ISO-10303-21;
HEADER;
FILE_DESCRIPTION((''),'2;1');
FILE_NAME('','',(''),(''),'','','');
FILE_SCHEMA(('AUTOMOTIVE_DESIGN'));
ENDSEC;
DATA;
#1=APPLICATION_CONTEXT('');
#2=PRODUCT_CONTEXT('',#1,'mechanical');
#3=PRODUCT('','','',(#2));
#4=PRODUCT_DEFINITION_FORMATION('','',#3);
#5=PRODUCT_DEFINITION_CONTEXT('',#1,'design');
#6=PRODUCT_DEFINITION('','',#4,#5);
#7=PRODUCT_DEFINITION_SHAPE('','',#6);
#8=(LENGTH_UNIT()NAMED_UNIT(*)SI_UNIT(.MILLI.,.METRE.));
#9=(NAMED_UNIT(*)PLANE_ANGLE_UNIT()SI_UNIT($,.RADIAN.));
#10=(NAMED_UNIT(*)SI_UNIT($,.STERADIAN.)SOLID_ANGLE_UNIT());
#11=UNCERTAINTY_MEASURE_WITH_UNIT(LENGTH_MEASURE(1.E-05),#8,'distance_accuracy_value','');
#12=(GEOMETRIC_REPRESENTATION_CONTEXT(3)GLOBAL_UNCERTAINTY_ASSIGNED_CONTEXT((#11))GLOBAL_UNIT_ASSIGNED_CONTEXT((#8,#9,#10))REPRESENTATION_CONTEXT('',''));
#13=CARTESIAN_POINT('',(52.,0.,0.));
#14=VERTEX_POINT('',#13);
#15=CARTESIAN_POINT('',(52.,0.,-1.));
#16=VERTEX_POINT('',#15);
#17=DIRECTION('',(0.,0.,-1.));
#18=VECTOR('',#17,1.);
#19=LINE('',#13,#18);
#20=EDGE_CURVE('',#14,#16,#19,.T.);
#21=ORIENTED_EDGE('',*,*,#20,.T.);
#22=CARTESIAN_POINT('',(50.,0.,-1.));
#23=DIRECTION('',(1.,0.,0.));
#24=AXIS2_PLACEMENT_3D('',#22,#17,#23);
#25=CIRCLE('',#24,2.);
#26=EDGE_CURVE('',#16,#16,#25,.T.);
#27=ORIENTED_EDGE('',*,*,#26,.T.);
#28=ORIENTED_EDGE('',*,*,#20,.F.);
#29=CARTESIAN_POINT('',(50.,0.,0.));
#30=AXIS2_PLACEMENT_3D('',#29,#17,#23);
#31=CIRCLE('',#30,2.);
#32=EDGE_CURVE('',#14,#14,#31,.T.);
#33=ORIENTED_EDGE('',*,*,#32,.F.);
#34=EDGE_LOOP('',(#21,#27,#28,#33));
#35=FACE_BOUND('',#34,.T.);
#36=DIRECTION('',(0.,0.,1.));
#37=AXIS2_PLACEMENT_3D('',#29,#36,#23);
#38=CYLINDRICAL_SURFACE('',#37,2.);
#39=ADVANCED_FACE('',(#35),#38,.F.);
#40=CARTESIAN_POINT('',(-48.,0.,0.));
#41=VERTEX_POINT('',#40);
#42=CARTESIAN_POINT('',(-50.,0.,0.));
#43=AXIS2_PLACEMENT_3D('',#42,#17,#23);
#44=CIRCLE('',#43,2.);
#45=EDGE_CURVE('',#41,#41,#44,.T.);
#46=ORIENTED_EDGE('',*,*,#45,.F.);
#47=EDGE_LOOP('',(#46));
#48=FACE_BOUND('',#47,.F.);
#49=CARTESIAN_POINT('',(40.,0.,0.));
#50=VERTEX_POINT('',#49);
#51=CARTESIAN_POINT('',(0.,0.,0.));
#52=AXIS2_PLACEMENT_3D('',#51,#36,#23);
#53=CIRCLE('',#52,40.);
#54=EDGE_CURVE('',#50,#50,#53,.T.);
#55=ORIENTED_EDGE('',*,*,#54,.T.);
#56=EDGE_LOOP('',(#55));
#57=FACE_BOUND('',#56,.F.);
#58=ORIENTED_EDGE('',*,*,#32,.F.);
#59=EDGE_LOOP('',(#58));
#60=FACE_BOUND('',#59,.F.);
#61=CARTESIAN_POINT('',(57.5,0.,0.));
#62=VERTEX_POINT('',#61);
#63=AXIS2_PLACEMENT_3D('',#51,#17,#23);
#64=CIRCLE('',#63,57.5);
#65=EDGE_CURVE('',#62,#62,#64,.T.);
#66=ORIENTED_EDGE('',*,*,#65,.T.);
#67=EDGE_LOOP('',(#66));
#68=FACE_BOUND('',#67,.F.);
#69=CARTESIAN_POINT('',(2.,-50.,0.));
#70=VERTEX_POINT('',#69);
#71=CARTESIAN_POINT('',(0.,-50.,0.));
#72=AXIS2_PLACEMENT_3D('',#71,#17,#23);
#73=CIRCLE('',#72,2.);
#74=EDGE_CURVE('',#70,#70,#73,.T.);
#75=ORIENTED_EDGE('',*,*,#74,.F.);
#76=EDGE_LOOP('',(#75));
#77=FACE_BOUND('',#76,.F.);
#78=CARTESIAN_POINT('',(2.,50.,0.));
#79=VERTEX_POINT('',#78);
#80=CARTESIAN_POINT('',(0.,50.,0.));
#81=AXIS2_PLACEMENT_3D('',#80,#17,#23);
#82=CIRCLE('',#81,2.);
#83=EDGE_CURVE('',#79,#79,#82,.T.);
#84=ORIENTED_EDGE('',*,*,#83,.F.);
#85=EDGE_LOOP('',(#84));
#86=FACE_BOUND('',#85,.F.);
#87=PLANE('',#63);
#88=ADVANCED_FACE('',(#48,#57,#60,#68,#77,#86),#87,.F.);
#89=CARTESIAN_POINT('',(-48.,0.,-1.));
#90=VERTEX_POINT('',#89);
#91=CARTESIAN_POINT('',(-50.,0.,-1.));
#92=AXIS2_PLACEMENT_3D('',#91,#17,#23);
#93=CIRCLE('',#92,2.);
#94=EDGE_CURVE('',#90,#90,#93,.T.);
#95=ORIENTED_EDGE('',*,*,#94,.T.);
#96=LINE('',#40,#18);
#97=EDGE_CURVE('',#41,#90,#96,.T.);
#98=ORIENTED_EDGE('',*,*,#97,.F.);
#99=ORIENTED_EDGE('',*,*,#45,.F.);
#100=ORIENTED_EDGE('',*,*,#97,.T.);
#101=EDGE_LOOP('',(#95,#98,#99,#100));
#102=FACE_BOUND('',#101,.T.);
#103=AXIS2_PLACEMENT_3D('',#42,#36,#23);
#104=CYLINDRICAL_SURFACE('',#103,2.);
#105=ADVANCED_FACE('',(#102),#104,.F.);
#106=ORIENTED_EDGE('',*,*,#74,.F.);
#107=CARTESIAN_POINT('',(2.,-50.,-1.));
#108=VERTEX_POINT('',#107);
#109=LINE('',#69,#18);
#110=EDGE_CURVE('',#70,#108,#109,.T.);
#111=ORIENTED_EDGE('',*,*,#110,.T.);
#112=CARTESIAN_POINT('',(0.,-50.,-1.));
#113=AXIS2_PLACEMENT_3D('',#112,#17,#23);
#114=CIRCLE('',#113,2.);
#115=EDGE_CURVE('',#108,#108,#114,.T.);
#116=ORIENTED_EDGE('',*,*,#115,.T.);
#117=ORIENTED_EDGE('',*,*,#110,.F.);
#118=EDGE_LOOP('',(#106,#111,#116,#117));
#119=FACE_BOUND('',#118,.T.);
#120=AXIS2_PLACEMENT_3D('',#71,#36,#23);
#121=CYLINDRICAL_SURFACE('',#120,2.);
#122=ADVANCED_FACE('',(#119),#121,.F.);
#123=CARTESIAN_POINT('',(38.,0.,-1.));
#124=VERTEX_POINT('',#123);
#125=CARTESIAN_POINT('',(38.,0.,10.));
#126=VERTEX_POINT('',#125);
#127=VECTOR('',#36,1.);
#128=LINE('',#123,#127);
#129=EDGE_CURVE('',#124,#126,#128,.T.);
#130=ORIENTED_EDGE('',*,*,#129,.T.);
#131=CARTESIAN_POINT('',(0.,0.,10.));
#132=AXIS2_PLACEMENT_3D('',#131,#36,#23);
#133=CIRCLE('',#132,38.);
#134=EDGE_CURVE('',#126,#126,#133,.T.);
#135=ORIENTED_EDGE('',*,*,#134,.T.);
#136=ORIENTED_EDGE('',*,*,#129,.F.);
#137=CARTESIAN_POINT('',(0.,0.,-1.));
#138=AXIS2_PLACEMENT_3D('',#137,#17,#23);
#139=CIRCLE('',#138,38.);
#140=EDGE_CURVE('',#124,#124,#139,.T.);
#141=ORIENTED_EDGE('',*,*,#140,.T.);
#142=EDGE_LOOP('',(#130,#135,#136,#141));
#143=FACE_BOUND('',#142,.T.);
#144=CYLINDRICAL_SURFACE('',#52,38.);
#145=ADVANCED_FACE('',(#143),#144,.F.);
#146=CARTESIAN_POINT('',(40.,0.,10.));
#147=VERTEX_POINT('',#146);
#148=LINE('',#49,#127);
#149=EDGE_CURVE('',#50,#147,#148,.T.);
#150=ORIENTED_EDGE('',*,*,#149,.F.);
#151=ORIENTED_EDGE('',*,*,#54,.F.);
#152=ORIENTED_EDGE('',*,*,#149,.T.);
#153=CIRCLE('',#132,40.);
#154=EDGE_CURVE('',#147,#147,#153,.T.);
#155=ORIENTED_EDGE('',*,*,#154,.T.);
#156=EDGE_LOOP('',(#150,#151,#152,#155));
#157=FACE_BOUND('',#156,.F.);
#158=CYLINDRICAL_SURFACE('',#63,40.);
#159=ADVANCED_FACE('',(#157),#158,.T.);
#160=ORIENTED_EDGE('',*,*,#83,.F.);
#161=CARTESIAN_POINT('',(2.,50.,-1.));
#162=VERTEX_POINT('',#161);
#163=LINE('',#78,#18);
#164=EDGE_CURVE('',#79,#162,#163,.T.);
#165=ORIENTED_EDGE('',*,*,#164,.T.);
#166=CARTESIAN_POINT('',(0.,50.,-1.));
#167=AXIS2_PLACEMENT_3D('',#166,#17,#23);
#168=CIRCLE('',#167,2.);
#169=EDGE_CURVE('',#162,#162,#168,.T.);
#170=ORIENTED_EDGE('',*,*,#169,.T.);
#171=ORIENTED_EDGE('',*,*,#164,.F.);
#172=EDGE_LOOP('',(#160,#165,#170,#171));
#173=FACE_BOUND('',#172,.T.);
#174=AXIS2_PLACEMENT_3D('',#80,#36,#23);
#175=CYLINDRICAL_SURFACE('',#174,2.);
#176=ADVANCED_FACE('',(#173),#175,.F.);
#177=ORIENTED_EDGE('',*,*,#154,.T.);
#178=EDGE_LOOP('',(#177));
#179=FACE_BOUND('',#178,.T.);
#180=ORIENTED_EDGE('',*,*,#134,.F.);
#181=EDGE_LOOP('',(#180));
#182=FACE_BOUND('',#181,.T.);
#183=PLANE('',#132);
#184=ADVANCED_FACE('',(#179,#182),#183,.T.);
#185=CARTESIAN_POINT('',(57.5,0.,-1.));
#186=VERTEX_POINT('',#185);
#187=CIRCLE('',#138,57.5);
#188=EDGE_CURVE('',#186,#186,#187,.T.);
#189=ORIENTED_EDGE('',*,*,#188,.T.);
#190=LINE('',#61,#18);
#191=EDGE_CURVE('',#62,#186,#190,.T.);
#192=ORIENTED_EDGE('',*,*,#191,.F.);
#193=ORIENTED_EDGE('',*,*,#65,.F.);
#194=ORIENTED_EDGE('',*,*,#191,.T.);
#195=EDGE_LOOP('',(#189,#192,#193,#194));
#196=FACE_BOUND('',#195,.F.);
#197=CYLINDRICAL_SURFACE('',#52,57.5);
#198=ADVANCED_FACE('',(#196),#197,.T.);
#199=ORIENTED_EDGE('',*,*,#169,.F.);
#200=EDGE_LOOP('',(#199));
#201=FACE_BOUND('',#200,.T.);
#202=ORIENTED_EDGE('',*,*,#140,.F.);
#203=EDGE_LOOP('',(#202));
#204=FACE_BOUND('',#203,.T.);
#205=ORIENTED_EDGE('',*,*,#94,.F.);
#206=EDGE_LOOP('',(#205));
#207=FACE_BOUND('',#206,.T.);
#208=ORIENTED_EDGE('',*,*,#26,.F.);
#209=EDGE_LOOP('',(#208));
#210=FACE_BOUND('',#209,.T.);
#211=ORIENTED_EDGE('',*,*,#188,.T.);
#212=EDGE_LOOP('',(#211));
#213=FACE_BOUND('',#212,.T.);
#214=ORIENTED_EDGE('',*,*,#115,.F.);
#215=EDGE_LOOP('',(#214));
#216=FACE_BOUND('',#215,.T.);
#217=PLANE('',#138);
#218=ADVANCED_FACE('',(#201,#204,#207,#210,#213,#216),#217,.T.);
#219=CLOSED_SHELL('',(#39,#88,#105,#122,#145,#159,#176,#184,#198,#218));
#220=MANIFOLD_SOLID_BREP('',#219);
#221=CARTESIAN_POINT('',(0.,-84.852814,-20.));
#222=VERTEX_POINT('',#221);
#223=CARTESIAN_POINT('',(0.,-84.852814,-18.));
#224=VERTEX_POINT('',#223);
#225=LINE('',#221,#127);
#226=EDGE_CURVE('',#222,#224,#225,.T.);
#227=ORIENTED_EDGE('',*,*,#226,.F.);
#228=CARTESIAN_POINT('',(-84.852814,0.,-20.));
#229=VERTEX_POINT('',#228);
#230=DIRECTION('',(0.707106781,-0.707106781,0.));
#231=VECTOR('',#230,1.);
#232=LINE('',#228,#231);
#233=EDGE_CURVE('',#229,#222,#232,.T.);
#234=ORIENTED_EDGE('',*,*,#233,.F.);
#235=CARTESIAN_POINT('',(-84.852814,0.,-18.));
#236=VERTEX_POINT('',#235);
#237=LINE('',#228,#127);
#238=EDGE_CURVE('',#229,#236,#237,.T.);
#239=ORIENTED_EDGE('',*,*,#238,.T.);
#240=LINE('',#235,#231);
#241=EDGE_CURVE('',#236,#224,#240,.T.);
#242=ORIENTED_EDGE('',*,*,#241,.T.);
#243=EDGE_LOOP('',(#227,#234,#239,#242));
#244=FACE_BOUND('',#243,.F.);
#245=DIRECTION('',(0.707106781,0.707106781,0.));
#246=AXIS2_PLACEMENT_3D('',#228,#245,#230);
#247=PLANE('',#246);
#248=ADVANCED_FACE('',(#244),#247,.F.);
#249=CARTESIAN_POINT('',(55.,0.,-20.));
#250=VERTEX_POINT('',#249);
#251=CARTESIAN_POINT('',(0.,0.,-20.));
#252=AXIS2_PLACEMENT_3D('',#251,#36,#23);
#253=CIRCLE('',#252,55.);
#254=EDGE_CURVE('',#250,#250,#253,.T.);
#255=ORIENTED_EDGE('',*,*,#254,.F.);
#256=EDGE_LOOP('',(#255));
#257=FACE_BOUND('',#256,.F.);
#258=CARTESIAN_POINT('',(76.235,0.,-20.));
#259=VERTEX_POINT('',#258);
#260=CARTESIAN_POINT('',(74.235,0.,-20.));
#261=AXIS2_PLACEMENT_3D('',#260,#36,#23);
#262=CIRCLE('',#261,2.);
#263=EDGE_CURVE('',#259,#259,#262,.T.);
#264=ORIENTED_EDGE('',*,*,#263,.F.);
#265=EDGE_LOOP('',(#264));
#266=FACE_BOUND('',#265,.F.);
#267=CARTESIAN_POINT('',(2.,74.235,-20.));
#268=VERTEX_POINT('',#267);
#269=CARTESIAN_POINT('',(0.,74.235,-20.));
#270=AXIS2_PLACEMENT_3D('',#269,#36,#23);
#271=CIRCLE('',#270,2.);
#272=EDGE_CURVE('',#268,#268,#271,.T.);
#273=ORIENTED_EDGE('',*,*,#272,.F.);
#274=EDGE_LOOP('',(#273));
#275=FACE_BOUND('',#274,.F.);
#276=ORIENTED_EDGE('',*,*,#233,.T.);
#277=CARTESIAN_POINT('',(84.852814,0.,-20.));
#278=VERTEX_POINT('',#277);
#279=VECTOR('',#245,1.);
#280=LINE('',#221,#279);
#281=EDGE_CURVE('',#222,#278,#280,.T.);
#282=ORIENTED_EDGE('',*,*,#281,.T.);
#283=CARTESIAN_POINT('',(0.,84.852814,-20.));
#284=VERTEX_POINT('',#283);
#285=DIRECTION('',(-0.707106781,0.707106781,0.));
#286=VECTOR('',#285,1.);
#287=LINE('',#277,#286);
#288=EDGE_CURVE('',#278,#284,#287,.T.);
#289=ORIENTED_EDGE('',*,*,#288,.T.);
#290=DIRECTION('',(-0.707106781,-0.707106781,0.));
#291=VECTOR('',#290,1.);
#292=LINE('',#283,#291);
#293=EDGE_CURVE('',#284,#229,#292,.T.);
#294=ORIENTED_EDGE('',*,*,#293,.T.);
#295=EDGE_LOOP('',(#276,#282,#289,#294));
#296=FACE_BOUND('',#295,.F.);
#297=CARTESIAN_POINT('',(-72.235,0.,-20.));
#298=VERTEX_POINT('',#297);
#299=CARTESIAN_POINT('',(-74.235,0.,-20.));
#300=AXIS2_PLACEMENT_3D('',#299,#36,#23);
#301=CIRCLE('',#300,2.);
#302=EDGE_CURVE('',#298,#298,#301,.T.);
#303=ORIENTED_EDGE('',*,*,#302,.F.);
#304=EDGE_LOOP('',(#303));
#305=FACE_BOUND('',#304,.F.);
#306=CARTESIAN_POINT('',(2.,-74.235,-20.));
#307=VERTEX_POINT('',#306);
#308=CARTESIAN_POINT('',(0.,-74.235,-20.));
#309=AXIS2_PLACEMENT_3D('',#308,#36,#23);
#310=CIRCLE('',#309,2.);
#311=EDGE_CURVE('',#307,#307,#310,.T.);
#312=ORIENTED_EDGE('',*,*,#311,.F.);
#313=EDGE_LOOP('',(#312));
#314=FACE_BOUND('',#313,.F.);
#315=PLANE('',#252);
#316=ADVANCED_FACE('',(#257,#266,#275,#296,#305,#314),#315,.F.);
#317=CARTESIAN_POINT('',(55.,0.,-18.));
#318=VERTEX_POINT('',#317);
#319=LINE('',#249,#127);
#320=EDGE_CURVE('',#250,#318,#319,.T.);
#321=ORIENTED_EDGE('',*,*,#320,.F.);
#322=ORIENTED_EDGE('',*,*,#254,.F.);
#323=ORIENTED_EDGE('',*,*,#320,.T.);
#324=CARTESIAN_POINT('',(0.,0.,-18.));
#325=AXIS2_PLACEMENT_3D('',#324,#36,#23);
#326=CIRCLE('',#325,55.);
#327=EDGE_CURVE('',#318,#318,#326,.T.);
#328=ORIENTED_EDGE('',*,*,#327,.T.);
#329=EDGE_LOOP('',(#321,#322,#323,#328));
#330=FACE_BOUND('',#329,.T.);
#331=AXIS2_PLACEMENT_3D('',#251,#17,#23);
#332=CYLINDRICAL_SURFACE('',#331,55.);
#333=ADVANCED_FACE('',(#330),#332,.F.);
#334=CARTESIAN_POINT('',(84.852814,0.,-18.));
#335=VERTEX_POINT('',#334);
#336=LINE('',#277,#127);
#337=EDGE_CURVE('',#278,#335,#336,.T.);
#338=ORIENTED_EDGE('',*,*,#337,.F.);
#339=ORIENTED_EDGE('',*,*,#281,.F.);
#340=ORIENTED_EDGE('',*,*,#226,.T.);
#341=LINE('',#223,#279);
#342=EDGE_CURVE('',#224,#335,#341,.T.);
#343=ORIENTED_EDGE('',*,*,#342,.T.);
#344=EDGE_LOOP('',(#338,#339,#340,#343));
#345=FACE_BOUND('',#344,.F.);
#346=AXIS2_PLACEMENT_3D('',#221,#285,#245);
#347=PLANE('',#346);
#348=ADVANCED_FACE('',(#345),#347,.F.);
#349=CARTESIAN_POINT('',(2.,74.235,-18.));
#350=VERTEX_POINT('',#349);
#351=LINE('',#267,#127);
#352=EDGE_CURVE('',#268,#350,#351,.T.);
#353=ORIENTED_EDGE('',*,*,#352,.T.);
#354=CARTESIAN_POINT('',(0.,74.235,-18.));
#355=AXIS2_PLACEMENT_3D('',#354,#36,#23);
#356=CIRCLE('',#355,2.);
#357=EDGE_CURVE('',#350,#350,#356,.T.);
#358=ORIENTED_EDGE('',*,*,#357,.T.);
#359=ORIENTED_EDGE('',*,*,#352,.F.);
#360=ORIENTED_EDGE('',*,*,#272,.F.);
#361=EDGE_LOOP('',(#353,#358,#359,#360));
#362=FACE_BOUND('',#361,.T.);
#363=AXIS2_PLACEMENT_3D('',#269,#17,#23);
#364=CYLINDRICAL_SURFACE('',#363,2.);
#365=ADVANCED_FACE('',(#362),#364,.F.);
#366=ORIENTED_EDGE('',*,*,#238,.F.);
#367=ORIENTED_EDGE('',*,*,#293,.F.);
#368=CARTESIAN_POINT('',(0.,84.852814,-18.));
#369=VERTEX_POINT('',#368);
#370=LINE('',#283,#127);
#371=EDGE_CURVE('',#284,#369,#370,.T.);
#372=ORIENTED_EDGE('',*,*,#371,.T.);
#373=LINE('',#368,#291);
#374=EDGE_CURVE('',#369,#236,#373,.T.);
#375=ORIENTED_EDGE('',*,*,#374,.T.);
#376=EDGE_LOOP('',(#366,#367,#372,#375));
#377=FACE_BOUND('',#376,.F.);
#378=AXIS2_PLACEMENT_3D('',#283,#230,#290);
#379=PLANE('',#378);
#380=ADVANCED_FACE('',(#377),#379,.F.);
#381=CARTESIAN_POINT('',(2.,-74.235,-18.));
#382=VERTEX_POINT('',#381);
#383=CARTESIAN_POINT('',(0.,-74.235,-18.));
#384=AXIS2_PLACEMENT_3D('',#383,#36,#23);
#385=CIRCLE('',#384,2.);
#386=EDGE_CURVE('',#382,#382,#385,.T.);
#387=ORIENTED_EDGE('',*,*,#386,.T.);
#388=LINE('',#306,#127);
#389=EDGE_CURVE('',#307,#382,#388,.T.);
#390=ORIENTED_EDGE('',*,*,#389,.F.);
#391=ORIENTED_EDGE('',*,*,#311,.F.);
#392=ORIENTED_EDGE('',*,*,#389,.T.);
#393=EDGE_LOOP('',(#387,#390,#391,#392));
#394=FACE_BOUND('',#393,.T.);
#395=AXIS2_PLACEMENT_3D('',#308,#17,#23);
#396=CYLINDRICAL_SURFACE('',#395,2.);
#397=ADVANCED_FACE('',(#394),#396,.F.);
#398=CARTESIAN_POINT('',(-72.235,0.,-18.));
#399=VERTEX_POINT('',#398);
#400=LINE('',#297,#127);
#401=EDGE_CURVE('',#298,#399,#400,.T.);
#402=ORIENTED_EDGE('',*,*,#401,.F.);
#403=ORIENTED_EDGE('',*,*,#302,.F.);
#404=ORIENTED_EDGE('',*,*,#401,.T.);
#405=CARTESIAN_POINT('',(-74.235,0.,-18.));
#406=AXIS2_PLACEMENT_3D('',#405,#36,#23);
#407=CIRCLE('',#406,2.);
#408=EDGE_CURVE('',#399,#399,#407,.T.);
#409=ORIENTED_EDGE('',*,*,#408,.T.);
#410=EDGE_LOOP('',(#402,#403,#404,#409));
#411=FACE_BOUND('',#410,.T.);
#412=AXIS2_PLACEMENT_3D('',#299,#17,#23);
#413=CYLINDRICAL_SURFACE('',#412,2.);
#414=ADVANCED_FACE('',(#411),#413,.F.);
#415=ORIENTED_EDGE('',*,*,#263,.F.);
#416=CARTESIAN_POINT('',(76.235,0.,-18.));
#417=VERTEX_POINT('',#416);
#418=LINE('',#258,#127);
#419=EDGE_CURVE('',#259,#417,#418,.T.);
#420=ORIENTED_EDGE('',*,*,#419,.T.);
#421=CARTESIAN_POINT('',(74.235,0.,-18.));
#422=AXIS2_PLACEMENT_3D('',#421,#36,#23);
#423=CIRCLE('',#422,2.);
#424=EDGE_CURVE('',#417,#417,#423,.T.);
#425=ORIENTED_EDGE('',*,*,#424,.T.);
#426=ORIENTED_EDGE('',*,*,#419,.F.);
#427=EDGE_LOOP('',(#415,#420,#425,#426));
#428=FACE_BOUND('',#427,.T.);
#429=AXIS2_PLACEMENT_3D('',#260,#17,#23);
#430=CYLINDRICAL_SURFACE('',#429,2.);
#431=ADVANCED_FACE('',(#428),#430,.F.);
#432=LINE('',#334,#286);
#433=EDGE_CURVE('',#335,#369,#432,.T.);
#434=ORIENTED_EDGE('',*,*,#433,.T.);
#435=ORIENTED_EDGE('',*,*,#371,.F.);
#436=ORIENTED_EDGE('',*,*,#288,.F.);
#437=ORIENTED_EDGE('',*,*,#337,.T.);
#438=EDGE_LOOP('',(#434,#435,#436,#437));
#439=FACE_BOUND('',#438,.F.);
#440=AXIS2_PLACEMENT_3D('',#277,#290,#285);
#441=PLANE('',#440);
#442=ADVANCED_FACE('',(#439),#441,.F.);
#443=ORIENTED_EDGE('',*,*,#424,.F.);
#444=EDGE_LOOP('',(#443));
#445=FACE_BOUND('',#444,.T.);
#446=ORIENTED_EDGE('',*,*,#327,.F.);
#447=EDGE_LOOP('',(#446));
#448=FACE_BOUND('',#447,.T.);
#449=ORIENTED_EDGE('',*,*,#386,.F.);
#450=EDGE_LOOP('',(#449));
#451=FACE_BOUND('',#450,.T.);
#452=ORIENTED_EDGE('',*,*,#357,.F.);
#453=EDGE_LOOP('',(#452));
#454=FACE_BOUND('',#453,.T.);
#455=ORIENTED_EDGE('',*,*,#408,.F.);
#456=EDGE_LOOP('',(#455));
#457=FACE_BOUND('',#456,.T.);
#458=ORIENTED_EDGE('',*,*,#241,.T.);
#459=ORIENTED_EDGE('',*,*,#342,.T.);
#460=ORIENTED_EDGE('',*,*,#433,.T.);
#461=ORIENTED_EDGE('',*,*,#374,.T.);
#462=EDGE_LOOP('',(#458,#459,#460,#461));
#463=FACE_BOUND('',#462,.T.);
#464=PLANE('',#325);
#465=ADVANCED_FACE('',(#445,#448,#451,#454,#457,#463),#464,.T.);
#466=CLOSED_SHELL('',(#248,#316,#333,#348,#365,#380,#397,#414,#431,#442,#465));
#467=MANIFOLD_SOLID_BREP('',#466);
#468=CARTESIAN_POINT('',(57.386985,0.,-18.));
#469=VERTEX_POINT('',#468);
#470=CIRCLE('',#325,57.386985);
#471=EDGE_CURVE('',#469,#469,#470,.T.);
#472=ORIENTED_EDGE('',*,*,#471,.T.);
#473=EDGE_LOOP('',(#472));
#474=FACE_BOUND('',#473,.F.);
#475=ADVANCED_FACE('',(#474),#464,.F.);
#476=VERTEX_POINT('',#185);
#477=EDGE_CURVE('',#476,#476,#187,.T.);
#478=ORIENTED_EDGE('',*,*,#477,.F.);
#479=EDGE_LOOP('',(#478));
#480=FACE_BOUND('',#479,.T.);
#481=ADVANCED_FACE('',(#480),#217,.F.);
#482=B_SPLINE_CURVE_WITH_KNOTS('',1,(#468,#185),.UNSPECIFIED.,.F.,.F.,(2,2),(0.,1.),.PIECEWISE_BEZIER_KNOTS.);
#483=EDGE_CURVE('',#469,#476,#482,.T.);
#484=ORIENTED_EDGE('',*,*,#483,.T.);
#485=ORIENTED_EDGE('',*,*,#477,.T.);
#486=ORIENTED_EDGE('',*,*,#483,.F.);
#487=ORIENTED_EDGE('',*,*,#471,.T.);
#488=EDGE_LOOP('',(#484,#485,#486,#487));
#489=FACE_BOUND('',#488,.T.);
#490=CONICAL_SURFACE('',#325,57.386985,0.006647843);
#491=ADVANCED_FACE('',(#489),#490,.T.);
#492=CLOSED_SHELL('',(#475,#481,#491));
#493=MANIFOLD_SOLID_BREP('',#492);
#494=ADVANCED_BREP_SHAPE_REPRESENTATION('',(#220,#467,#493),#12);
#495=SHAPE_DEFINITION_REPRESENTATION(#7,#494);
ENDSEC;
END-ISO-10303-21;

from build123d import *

# Parameters (mm, degrees)
F0_R     = 40
F0_R_2   = 38
F1_DEPTH = 10
F2_R     = 57.5
F2_R_2   = 2
F2_R_3   = 38
F3_DEPTH = 1
F5_R     = 2
F5_R_2   = 55
F6_DEPTH = 2
F7_R     = 57.386985
F8_R     = 57.5


with BuildPart() as f1:
    # F0 (on Top) → F1 (new body)
    with BuildSketch(Plane.XY):
        Circle(F0_R)
        Circle(F0_R_2, mode=Mode.SUBTRACT)
    extrude(amount=F1_DEPTH)

    # F2 (on face) → F3 (join)
    with BuildSketch(Plane(origin=(0, 0, 0), x_dir=(1, 0, 0), z_dir=(0, 0, -1))):
        Circle(F2_R)
        with Locations((0, -50)):
            Circle(F2_R_2, mode=Mode.SUBTRACT)
        with Locations((-50, 0)):
            Circle(F2_R_2, mode=Mode.SUBTRACT)
        Circle(F2_R_3, mode=Mode.SUBTRACT)
        with Locations((50, 0)):
            Circle(F2_R_2, mode=Mode.SUBTRACT)
        with Locations((0, 50)):
            Circle(F2_R_2, mode=Mode.SUBTRACT)
    extrude(amount=F3_DEPTH)


with BuildPart() as f6:
    # F5 (on offset) → F6 (new body)
    with BuildSketch(Plane.XY.offset(-20)):
        Polygon((0, 84.852814), (-84.852814, 0), (0, -84.852814), (84.852814, 0), align=None)
        with Locations((-74.235, 0)):
            Circle(F5_R, mode=Mode.SUBTRACT)
        with Locations((0, -74.235)):
            Circle(F5_R, mode=Mode.SUBTRACT)
        Circle(F5_R_2, mode=Mode.SUBTRACT)
        with Locations((74.235, 0)):
            Circle(F5_R, mode=Mode.SUBTRACT)
        with Locations((0, 74.235)):
            Circle(F5_R, mode=Mode.SUBTRACT)
    extrude(amount=F6_DEPTH)


with BuildPart() as f9:
    # F7 (on face) → F9 section 0
    with BuildSketch(Plane.XY.offset(-18)):
        Circle(F7_R)
    # F8 (on face) → F9 section 1
    with BuildSketch(Plane(origin=(0, 0, -1), x_dir=(1, 0, 0), z_dir=(0, 0, -1))):
        Circle(F8_R)
    loft()


solid = Compound([f1.part, f6.part, f9.part])
